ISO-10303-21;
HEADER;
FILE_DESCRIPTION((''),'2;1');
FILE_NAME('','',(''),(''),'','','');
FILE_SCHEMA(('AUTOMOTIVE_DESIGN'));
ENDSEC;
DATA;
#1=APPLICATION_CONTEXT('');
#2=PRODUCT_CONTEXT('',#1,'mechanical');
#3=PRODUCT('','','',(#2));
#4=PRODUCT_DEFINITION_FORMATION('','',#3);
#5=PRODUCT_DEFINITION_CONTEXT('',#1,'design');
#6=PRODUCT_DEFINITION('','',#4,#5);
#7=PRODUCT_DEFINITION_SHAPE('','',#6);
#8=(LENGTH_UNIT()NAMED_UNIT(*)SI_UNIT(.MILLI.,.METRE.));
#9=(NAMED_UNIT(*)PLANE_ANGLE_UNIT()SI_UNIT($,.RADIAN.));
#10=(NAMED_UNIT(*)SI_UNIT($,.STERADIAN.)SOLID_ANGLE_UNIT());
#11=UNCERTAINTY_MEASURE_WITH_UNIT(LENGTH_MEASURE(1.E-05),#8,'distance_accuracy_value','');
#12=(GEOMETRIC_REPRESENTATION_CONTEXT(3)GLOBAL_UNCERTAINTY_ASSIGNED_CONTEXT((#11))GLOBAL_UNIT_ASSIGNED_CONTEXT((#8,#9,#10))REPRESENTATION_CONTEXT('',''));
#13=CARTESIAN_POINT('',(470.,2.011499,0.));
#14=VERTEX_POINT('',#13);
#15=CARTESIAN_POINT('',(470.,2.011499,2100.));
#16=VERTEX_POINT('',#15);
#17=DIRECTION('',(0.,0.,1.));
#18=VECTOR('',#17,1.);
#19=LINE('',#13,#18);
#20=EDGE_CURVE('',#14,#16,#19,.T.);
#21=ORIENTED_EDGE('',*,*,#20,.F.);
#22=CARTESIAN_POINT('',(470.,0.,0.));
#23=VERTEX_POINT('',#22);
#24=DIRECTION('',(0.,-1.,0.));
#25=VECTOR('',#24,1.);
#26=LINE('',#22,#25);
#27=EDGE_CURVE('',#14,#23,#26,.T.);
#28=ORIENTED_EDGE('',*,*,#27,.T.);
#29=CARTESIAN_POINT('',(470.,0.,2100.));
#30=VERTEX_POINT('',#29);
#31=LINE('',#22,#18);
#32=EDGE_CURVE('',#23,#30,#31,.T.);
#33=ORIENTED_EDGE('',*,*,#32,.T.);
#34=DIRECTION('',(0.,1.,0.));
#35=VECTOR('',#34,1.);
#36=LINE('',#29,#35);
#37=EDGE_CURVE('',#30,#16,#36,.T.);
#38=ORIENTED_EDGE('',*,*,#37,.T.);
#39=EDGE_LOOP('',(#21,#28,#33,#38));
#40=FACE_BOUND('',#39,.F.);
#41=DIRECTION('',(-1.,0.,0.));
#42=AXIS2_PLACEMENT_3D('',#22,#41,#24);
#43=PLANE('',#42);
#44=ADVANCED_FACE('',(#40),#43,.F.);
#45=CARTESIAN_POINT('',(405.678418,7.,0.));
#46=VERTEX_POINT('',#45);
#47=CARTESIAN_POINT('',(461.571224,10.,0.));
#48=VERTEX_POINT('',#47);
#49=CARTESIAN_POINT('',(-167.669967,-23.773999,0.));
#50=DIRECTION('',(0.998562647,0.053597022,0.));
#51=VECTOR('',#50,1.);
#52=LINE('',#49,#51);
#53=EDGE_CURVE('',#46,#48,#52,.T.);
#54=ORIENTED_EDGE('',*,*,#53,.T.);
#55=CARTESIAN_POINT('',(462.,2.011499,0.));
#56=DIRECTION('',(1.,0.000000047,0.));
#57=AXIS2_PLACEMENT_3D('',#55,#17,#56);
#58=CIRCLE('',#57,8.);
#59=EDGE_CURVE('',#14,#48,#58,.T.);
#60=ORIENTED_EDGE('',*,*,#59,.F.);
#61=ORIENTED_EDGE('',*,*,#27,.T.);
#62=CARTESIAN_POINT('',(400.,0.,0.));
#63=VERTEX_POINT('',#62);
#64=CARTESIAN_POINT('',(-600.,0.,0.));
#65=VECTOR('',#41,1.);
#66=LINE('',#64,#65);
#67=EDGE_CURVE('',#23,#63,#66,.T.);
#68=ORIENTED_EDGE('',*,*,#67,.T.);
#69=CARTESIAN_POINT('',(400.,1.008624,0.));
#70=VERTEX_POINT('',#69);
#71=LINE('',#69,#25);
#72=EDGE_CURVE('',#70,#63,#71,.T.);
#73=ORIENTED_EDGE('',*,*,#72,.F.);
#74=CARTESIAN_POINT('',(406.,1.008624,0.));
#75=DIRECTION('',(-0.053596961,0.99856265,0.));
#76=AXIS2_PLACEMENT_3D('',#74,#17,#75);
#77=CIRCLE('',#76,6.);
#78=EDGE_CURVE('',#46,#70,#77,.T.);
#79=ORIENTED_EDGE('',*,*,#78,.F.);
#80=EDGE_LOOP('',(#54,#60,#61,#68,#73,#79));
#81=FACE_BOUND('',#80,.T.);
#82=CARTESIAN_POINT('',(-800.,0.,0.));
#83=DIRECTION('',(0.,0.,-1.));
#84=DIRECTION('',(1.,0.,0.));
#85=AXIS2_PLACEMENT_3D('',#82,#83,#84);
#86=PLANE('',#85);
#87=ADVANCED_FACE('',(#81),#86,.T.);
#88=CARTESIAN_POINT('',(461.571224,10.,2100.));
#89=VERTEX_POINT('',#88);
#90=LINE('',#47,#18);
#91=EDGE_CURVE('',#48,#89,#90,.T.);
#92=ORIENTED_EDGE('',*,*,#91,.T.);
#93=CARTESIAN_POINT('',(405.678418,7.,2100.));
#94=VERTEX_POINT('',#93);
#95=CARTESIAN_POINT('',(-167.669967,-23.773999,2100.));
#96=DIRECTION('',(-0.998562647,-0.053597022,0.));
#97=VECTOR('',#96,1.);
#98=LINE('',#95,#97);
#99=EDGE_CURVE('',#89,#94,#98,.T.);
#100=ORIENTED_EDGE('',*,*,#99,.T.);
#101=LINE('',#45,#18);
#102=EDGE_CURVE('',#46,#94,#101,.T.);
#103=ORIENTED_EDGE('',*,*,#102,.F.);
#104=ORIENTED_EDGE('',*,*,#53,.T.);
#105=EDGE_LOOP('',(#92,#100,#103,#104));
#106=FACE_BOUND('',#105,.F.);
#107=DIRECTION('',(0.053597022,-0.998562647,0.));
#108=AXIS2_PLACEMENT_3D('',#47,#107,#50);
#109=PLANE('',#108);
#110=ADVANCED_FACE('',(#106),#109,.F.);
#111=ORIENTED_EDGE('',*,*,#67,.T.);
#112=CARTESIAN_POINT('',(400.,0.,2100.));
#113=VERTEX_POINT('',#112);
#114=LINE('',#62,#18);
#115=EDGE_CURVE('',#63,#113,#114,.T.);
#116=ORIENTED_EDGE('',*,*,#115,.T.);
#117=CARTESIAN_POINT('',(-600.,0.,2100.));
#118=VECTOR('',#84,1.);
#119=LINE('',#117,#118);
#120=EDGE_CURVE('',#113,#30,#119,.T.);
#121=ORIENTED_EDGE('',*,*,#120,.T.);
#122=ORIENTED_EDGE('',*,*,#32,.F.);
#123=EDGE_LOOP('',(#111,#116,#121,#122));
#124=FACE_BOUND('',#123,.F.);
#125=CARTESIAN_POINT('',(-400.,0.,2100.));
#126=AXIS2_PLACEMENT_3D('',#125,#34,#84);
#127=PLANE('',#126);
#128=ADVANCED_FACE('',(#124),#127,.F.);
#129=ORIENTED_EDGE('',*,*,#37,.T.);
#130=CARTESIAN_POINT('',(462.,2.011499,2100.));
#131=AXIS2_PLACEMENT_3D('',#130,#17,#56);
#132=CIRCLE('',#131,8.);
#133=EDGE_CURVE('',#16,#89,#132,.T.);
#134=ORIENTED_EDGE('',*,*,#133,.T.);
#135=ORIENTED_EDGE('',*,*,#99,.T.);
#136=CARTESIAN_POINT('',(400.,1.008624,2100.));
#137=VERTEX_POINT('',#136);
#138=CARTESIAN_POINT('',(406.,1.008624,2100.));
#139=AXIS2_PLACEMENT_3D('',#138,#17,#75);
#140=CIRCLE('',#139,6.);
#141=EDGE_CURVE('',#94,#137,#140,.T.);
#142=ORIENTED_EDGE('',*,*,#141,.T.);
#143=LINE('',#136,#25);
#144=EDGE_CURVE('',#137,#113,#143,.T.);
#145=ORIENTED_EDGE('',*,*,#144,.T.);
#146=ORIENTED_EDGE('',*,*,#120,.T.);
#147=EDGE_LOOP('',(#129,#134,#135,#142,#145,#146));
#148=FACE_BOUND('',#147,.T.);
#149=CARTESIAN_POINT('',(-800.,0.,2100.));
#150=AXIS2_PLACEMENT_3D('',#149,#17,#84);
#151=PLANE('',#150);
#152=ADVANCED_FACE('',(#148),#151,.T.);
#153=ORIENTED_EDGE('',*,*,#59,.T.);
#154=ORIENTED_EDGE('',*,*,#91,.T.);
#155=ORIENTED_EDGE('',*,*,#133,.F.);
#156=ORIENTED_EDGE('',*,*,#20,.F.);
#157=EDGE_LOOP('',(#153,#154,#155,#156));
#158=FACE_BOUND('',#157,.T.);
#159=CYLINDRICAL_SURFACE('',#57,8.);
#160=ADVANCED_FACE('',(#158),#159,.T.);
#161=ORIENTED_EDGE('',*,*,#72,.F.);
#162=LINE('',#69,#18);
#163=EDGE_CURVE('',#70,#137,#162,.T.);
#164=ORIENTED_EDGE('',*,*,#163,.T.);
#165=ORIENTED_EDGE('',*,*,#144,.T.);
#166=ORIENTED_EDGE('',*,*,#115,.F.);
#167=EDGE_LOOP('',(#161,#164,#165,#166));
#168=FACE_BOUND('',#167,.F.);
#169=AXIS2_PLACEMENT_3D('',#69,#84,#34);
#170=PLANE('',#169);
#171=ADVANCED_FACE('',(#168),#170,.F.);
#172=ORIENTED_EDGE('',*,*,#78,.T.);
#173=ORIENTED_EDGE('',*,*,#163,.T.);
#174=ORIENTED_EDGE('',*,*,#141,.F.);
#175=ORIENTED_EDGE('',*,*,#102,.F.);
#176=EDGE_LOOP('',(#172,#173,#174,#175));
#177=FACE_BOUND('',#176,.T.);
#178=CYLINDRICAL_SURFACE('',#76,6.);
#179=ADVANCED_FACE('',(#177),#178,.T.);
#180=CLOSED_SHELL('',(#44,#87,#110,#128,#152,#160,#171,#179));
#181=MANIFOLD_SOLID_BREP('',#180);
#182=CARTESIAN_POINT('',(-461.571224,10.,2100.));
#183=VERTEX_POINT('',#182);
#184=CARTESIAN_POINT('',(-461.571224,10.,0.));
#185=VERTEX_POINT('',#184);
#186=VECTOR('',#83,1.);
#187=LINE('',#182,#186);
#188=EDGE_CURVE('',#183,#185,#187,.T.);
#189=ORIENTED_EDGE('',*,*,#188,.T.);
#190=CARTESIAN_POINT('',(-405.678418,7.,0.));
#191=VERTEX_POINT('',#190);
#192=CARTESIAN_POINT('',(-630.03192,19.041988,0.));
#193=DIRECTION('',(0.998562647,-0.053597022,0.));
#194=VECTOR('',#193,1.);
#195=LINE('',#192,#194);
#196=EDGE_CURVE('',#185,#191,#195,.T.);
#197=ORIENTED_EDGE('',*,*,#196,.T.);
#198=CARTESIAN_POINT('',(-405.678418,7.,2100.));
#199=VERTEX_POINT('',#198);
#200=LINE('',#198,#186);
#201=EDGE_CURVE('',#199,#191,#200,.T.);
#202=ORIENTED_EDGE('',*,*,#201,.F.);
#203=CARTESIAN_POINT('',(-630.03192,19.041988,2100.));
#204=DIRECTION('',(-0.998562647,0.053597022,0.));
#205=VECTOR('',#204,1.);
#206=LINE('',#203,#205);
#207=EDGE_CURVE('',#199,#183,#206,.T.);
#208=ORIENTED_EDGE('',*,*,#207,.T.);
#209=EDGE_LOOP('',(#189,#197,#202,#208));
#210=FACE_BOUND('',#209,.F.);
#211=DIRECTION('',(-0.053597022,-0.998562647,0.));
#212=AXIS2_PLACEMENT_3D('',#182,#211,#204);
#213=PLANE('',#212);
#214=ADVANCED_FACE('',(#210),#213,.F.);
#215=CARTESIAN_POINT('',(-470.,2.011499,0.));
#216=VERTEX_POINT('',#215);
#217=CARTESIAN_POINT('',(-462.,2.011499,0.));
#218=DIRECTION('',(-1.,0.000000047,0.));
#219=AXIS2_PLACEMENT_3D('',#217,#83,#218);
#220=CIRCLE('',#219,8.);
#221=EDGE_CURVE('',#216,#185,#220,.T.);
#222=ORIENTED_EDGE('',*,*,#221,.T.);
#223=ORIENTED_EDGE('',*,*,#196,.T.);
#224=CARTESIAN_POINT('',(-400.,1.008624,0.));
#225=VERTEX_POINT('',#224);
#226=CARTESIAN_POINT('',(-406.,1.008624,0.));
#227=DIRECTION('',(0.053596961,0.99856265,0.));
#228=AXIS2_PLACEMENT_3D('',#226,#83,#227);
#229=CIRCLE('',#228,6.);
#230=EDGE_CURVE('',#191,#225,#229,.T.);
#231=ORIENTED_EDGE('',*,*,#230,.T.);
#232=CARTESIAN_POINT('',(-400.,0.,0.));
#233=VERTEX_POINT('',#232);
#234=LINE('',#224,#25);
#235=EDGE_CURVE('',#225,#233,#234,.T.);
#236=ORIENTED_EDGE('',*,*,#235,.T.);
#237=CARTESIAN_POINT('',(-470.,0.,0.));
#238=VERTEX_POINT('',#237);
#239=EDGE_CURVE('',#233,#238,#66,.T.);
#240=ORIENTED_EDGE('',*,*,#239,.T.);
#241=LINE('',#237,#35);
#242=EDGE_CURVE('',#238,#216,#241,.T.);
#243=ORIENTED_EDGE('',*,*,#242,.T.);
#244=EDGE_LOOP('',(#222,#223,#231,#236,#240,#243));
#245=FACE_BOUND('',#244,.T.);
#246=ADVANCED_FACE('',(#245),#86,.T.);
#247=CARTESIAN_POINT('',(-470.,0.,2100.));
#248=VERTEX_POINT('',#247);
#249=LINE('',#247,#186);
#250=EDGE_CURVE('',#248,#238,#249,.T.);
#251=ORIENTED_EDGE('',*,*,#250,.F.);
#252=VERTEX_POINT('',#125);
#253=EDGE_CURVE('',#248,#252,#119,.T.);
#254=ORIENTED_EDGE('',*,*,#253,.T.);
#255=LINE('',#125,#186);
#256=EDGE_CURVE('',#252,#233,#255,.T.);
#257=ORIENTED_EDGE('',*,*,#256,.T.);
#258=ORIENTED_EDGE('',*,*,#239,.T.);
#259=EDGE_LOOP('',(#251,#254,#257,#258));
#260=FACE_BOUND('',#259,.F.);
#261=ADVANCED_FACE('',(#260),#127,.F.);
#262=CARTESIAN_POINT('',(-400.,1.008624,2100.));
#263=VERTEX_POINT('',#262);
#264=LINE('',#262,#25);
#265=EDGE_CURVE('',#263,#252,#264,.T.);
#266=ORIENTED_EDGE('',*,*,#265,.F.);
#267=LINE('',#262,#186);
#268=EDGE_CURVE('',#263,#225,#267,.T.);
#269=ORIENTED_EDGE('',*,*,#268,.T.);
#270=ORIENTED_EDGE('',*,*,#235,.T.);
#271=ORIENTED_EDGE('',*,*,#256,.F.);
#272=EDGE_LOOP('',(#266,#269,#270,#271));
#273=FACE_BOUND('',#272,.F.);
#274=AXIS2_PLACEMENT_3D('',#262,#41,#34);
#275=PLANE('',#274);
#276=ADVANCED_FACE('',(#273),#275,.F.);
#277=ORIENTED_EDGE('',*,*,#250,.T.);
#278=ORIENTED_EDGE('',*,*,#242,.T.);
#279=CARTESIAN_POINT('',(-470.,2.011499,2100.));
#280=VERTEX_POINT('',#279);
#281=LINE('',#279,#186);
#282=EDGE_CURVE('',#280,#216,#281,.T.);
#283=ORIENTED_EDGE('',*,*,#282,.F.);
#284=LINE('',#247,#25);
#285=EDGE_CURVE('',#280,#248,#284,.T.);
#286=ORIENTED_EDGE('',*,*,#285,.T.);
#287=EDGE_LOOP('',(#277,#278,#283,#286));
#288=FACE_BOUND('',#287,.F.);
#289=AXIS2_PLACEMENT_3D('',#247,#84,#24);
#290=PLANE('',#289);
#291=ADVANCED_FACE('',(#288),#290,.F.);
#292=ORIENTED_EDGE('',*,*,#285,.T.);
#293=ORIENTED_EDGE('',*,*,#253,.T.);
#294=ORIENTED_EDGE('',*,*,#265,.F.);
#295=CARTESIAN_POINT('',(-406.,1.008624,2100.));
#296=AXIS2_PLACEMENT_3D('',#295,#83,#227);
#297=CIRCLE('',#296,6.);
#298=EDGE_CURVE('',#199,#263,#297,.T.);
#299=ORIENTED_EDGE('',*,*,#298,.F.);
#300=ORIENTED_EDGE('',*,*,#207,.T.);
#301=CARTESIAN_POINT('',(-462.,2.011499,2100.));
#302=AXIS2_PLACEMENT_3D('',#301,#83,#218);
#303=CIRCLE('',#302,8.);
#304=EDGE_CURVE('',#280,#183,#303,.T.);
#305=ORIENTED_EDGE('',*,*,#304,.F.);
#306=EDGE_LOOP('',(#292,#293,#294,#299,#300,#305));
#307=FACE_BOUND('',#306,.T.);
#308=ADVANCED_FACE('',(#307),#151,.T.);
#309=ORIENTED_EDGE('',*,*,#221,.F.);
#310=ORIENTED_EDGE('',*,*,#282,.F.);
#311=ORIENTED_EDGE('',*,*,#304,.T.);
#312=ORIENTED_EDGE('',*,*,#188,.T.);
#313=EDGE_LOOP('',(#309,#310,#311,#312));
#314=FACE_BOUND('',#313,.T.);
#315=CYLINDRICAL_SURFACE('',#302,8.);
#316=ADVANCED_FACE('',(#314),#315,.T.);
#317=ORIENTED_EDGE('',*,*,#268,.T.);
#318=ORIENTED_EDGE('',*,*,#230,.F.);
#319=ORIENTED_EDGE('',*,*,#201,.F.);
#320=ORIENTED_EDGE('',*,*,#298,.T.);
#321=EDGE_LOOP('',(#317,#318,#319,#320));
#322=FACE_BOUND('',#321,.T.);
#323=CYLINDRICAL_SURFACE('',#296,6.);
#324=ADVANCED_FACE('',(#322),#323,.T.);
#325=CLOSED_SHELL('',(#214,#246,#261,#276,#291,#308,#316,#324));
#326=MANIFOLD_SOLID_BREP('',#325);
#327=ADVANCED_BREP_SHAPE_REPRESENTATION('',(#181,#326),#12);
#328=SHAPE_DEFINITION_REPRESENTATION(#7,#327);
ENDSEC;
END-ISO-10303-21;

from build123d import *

# Parameters (mm, degrees)
SKETCH278_W         = 1600
SKETCH278_H         = 400
EXTRUDE039512_DEPTH = 500


with BuildPart() as extrude039512:
    # Sketch278 (on Sketch) → Extrude039512 (new body, symmetric)
    with BuildSketch(Plane.XZ):
        with Locations((0, 2300)):
            Rectangle(SKETCH278_W, SKETCH278_H)
        with Locations((0, -200)):
            Rectangle(SKETCH278_W, SKETCH278_H)
    extrude(amount=EXTRUDE039512_DEPTH, both=True)


with BuildPart() as trim_two_parts_internal:
    # Sweep012: sweep along a path in Sketch195
    with BuildLine(Plane.XZ) as sweep012_path:
        Line((-400, 2100), (-400, 0))
        Line((-400, 0), (400, 0))
        Line((400, 0), (400, 2100))
        Line((400, 2100), (-400, 2100))
    # Clone2D028 (on Sketch) → Sweep012 (sweep)
    with BuildSketch(Plane.ZY):
        with BuildLine():
            Line((-61.571224, 10), (-5.678418, 7))
            ThreePointArc((-5.678418, 7), (-1.645147, 5.136003), (0, 1.008624))
            Line((0, 1.008624), (0, 0))
            Line((0, 0), (-70, 0))
            Line((-70, 0), (-70, 2.011499))
            ThreePointArc((-70, 2.011499), (-67.503171, 7.81797), (-61.571224, 10))
        make_face()
    sweep(path=sweep012_path.line, is_frenet=True, transition=Transition.RIGHT)

    # Cut078: cut Extrude039512
    add(extrude039512.part, mode=Mode.SUBTRACT)


solid = trim_two_parts_internal.part
